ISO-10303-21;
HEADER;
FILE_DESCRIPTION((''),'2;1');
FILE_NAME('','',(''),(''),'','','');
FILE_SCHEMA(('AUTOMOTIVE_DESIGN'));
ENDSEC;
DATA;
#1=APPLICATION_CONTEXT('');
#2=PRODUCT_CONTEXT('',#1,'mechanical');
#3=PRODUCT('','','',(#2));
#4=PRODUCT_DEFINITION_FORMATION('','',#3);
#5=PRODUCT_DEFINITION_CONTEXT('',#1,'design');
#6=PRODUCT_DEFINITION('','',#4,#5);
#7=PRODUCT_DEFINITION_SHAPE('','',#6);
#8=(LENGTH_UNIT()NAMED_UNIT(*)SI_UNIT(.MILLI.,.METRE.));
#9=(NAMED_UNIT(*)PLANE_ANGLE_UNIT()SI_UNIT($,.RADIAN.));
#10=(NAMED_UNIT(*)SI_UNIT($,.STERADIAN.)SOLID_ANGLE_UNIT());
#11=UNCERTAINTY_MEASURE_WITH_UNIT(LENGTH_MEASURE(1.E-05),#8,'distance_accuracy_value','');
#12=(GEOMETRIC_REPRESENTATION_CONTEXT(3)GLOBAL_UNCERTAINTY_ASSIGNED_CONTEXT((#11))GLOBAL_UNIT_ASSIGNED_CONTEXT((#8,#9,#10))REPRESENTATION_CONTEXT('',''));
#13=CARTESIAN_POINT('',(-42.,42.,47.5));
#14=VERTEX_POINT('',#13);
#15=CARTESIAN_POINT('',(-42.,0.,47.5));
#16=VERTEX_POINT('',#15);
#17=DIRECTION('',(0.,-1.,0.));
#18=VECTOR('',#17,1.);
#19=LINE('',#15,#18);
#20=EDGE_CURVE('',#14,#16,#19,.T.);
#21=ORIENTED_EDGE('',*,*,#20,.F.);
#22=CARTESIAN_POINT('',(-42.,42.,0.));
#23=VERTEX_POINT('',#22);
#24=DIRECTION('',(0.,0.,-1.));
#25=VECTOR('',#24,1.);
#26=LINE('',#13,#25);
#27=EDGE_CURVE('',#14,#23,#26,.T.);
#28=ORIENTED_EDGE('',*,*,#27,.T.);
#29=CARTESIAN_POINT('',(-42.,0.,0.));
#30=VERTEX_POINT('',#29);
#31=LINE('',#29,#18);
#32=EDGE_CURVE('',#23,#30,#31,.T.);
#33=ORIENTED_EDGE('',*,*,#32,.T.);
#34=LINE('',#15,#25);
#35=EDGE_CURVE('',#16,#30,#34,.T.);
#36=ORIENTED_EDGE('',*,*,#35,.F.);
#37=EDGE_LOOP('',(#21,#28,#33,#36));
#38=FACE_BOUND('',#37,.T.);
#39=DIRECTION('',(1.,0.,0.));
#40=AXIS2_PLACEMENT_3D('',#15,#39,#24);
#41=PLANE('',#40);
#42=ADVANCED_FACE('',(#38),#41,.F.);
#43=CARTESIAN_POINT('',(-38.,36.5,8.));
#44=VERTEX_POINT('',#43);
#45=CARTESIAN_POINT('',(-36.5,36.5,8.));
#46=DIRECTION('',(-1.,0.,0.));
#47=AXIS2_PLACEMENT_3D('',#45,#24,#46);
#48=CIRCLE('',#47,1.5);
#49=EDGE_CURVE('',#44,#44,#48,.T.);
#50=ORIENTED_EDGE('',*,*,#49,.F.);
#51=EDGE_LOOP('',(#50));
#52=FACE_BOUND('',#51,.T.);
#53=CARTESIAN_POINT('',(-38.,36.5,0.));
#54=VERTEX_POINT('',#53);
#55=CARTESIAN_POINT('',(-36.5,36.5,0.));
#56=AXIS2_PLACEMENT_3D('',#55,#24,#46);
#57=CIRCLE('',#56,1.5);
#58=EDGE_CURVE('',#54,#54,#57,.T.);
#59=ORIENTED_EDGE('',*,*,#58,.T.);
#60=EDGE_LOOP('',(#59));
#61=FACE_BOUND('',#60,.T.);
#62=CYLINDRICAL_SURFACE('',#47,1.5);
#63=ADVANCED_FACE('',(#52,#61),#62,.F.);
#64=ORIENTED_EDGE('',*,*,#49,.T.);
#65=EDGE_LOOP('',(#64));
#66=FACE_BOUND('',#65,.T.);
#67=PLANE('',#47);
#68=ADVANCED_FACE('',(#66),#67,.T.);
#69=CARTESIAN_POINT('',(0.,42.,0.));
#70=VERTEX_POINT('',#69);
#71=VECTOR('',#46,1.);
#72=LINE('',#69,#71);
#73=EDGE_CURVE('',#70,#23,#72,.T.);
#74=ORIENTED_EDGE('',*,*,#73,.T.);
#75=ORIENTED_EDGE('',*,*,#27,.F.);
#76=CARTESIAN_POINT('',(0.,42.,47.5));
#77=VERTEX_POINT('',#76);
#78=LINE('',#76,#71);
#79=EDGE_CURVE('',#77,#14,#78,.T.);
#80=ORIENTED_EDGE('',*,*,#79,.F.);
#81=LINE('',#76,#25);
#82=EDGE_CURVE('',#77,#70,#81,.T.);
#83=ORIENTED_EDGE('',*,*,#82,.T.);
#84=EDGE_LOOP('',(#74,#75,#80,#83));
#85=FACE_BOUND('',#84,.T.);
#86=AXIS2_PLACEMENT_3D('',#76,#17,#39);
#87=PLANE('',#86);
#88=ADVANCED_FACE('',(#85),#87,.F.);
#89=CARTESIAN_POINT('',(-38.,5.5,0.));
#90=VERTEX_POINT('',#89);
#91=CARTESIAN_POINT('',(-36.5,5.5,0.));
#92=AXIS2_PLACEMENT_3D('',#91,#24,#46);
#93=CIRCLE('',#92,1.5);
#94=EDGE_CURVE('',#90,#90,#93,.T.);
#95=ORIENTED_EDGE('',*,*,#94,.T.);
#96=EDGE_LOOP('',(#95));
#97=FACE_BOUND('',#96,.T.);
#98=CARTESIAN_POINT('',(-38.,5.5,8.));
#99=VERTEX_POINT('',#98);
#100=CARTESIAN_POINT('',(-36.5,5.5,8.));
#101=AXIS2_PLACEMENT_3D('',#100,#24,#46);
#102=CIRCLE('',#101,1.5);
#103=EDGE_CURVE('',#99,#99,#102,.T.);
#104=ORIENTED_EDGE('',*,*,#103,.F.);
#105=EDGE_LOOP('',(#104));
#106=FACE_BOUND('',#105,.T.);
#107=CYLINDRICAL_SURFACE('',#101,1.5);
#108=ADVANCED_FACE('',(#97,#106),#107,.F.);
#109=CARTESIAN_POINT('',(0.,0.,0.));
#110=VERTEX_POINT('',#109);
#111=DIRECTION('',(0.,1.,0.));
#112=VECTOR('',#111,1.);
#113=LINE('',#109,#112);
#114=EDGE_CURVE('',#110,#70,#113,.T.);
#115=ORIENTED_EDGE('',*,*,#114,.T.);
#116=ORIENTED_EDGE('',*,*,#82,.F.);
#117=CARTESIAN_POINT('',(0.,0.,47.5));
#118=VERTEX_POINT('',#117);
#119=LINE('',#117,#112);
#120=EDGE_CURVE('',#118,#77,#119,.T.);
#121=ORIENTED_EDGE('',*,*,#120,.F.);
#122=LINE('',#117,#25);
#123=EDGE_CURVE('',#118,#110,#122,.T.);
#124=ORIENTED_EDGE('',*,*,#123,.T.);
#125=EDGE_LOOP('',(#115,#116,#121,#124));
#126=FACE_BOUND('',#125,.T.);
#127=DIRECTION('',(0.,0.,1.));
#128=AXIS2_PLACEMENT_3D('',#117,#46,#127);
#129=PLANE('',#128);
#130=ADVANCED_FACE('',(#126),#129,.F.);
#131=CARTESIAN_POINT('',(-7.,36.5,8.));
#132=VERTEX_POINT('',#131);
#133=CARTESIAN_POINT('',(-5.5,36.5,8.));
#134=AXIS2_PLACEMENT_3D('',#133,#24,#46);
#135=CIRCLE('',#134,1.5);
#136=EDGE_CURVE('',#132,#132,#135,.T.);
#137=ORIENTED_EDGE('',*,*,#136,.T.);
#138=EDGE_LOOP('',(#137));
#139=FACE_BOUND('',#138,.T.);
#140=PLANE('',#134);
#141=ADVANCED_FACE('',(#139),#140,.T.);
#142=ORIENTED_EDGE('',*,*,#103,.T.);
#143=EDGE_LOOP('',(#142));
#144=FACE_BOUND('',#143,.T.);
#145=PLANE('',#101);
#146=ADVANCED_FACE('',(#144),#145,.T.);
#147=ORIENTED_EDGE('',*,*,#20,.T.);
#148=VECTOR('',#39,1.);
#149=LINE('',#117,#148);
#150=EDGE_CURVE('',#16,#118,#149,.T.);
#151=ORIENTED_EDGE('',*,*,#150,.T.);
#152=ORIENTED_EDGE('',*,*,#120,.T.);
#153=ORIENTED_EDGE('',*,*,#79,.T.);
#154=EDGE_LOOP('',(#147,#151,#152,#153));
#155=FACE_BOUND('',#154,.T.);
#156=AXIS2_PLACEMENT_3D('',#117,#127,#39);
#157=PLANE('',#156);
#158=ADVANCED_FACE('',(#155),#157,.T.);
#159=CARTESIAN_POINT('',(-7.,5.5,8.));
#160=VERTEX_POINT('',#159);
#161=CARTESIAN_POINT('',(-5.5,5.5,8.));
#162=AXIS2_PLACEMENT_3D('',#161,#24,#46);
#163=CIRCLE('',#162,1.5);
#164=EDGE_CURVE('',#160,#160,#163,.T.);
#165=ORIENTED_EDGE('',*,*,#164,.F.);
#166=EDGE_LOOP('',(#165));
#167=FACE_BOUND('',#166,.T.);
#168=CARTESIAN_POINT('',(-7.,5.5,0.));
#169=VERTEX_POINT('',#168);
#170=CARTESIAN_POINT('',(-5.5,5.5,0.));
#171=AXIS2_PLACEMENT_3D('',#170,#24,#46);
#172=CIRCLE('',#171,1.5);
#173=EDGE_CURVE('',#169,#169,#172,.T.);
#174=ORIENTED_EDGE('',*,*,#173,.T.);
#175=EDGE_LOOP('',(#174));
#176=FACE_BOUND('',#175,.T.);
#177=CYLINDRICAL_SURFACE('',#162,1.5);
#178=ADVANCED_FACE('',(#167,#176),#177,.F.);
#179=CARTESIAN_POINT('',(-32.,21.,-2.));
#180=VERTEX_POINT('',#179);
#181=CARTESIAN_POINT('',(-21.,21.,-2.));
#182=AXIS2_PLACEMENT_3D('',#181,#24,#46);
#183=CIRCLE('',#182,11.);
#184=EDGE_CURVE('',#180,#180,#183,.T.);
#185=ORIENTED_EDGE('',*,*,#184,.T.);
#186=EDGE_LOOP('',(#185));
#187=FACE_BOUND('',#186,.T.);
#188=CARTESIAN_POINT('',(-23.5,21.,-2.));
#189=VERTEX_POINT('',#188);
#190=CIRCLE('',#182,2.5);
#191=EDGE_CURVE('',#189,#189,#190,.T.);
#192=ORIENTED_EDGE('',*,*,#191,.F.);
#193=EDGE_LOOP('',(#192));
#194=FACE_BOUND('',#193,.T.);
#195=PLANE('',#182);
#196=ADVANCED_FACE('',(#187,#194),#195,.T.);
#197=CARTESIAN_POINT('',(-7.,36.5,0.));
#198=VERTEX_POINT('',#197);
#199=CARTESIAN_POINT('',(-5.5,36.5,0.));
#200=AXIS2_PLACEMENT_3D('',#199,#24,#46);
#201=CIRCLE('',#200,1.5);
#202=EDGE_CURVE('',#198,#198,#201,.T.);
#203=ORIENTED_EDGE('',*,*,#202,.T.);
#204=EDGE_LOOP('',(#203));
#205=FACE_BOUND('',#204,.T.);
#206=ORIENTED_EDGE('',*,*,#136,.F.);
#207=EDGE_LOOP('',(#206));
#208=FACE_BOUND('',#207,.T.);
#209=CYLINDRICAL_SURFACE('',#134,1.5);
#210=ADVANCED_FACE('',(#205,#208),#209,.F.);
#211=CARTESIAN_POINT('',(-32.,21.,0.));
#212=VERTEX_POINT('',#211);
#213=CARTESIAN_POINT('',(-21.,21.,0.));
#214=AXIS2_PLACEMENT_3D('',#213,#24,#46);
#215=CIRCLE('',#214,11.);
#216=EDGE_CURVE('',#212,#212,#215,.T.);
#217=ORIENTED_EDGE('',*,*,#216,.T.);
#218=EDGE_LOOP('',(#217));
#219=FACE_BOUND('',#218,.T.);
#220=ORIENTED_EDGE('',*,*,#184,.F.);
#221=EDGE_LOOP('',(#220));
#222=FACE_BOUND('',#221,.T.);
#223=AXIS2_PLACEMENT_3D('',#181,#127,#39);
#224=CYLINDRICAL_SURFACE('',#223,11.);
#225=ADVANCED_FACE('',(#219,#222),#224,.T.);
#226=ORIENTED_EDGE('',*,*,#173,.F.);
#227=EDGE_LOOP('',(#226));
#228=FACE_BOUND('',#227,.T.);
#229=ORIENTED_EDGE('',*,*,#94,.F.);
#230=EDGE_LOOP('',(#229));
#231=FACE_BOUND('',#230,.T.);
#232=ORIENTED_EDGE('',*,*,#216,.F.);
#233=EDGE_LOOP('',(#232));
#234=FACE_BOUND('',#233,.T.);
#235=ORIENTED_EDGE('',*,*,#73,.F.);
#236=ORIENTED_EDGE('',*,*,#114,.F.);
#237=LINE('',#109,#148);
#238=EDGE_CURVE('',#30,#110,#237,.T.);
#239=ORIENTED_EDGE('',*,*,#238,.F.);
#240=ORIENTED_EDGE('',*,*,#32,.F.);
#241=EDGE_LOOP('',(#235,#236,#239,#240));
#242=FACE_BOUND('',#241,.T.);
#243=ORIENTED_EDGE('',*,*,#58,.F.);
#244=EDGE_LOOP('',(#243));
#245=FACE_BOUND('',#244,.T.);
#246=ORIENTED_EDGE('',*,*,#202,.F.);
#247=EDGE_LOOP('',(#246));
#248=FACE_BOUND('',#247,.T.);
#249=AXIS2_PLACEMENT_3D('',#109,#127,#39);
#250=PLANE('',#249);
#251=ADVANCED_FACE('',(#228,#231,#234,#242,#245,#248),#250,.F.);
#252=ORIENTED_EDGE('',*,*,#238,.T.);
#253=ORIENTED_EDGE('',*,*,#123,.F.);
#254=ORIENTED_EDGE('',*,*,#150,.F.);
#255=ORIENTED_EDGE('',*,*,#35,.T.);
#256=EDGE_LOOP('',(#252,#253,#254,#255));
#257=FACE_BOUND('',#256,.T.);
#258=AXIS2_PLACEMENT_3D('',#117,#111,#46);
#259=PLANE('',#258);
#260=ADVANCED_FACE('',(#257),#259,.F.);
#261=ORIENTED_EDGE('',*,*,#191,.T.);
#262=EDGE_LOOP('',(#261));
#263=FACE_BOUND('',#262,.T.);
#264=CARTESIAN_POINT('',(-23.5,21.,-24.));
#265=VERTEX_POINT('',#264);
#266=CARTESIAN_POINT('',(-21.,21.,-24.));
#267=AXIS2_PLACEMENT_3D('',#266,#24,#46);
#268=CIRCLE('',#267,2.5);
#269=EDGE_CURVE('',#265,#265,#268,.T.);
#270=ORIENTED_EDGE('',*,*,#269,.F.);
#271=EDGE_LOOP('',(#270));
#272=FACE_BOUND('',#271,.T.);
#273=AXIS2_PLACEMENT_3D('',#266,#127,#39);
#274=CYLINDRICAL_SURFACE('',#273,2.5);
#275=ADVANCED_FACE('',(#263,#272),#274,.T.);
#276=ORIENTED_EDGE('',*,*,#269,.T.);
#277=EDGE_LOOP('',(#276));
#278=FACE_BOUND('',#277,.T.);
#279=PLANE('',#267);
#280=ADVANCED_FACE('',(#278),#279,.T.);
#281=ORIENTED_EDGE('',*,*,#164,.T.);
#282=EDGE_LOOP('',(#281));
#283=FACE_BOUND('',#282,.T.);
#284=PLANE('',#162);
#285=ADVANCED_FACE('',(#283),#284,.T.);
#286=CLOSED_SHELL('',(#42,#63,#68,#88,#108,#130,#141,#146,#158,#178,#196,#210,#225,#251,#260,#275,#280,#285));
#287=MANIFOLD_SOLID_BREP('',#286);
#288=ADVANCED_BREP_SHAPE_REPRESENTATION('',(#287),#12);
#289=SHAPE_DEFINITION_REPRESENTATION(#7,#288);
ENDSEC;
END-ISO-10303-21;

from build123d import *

# Parameters (mm, degrees)
SKETCH_1_W          = 42
SKETCH_1_H          = 42
EXTRUDE_1_DEPTH     = 47.5
SKETCH_3_R          = 11
EXTRUDE_2_DEPTH     = 2
SKETCH_4_R          = 2.5
EXTRUDE_3_DEPTH     = 22
SKETCH_5_R          = 1.5
CUT_EXTRUDE_1_DEPTH = 8


with BuildPart() as part:
    # 草图1 → 凸台-拉伸1 (new body)
    with BuildSketch(Plane.XY):
        with Locations((-21, 21)):
            Rectangle(SKETCH_1_W, SKETCH_1_H)
    extrude(amount=EXTRUDE_1_DEPTH)

    # 草图3 → 凸台-拉伸2 (add)
    with BuildSketch(Plane(origin=(0, 0, 0), x_dir=(-1, 0, 0), z_dir=(0, 0, -1))):
        with Locations((21, 21)):
            Circle(SKETCH_3_R)
    extrude(amount=EXTRUDE_2_DEPTH)

    # 草图4 → 凸台-拉伸3 (add)
    with BuildSketch(Plane(origin=(0, 0, -2), x_dir=(-1, 0, 0), z_dir=(0, 0, -1))):
        with Locations((21, 21)):
            Circle(SKETCH_4_R)
    extrude(amount=EXTRUDE_3_DEPTH)

    # 草图5 → 切除-拉伸1 (cut)
    with BuildSketch(Plane(origin=(0, 0, 0), x_dir=(-1, 0, 0), z_dir=(0, 0, -1))):
        with Locations((5.5, 5.5)):
            Circle(SKETCH_5_R)
        with Locations((36.5, 5.5)):
            Circle(SKETCH_5_R)
        with Locations((36.5, 36.5)):
            Circle(SKETCH_5_R)
        with Locations((5.5, 36.5)):
            Circle(SKETCH_5_R)
    extrude(amount=-CUT_EXTRUDE_1_DEPTH, mode=Mode.SUBTRACT)


solid = part.part
